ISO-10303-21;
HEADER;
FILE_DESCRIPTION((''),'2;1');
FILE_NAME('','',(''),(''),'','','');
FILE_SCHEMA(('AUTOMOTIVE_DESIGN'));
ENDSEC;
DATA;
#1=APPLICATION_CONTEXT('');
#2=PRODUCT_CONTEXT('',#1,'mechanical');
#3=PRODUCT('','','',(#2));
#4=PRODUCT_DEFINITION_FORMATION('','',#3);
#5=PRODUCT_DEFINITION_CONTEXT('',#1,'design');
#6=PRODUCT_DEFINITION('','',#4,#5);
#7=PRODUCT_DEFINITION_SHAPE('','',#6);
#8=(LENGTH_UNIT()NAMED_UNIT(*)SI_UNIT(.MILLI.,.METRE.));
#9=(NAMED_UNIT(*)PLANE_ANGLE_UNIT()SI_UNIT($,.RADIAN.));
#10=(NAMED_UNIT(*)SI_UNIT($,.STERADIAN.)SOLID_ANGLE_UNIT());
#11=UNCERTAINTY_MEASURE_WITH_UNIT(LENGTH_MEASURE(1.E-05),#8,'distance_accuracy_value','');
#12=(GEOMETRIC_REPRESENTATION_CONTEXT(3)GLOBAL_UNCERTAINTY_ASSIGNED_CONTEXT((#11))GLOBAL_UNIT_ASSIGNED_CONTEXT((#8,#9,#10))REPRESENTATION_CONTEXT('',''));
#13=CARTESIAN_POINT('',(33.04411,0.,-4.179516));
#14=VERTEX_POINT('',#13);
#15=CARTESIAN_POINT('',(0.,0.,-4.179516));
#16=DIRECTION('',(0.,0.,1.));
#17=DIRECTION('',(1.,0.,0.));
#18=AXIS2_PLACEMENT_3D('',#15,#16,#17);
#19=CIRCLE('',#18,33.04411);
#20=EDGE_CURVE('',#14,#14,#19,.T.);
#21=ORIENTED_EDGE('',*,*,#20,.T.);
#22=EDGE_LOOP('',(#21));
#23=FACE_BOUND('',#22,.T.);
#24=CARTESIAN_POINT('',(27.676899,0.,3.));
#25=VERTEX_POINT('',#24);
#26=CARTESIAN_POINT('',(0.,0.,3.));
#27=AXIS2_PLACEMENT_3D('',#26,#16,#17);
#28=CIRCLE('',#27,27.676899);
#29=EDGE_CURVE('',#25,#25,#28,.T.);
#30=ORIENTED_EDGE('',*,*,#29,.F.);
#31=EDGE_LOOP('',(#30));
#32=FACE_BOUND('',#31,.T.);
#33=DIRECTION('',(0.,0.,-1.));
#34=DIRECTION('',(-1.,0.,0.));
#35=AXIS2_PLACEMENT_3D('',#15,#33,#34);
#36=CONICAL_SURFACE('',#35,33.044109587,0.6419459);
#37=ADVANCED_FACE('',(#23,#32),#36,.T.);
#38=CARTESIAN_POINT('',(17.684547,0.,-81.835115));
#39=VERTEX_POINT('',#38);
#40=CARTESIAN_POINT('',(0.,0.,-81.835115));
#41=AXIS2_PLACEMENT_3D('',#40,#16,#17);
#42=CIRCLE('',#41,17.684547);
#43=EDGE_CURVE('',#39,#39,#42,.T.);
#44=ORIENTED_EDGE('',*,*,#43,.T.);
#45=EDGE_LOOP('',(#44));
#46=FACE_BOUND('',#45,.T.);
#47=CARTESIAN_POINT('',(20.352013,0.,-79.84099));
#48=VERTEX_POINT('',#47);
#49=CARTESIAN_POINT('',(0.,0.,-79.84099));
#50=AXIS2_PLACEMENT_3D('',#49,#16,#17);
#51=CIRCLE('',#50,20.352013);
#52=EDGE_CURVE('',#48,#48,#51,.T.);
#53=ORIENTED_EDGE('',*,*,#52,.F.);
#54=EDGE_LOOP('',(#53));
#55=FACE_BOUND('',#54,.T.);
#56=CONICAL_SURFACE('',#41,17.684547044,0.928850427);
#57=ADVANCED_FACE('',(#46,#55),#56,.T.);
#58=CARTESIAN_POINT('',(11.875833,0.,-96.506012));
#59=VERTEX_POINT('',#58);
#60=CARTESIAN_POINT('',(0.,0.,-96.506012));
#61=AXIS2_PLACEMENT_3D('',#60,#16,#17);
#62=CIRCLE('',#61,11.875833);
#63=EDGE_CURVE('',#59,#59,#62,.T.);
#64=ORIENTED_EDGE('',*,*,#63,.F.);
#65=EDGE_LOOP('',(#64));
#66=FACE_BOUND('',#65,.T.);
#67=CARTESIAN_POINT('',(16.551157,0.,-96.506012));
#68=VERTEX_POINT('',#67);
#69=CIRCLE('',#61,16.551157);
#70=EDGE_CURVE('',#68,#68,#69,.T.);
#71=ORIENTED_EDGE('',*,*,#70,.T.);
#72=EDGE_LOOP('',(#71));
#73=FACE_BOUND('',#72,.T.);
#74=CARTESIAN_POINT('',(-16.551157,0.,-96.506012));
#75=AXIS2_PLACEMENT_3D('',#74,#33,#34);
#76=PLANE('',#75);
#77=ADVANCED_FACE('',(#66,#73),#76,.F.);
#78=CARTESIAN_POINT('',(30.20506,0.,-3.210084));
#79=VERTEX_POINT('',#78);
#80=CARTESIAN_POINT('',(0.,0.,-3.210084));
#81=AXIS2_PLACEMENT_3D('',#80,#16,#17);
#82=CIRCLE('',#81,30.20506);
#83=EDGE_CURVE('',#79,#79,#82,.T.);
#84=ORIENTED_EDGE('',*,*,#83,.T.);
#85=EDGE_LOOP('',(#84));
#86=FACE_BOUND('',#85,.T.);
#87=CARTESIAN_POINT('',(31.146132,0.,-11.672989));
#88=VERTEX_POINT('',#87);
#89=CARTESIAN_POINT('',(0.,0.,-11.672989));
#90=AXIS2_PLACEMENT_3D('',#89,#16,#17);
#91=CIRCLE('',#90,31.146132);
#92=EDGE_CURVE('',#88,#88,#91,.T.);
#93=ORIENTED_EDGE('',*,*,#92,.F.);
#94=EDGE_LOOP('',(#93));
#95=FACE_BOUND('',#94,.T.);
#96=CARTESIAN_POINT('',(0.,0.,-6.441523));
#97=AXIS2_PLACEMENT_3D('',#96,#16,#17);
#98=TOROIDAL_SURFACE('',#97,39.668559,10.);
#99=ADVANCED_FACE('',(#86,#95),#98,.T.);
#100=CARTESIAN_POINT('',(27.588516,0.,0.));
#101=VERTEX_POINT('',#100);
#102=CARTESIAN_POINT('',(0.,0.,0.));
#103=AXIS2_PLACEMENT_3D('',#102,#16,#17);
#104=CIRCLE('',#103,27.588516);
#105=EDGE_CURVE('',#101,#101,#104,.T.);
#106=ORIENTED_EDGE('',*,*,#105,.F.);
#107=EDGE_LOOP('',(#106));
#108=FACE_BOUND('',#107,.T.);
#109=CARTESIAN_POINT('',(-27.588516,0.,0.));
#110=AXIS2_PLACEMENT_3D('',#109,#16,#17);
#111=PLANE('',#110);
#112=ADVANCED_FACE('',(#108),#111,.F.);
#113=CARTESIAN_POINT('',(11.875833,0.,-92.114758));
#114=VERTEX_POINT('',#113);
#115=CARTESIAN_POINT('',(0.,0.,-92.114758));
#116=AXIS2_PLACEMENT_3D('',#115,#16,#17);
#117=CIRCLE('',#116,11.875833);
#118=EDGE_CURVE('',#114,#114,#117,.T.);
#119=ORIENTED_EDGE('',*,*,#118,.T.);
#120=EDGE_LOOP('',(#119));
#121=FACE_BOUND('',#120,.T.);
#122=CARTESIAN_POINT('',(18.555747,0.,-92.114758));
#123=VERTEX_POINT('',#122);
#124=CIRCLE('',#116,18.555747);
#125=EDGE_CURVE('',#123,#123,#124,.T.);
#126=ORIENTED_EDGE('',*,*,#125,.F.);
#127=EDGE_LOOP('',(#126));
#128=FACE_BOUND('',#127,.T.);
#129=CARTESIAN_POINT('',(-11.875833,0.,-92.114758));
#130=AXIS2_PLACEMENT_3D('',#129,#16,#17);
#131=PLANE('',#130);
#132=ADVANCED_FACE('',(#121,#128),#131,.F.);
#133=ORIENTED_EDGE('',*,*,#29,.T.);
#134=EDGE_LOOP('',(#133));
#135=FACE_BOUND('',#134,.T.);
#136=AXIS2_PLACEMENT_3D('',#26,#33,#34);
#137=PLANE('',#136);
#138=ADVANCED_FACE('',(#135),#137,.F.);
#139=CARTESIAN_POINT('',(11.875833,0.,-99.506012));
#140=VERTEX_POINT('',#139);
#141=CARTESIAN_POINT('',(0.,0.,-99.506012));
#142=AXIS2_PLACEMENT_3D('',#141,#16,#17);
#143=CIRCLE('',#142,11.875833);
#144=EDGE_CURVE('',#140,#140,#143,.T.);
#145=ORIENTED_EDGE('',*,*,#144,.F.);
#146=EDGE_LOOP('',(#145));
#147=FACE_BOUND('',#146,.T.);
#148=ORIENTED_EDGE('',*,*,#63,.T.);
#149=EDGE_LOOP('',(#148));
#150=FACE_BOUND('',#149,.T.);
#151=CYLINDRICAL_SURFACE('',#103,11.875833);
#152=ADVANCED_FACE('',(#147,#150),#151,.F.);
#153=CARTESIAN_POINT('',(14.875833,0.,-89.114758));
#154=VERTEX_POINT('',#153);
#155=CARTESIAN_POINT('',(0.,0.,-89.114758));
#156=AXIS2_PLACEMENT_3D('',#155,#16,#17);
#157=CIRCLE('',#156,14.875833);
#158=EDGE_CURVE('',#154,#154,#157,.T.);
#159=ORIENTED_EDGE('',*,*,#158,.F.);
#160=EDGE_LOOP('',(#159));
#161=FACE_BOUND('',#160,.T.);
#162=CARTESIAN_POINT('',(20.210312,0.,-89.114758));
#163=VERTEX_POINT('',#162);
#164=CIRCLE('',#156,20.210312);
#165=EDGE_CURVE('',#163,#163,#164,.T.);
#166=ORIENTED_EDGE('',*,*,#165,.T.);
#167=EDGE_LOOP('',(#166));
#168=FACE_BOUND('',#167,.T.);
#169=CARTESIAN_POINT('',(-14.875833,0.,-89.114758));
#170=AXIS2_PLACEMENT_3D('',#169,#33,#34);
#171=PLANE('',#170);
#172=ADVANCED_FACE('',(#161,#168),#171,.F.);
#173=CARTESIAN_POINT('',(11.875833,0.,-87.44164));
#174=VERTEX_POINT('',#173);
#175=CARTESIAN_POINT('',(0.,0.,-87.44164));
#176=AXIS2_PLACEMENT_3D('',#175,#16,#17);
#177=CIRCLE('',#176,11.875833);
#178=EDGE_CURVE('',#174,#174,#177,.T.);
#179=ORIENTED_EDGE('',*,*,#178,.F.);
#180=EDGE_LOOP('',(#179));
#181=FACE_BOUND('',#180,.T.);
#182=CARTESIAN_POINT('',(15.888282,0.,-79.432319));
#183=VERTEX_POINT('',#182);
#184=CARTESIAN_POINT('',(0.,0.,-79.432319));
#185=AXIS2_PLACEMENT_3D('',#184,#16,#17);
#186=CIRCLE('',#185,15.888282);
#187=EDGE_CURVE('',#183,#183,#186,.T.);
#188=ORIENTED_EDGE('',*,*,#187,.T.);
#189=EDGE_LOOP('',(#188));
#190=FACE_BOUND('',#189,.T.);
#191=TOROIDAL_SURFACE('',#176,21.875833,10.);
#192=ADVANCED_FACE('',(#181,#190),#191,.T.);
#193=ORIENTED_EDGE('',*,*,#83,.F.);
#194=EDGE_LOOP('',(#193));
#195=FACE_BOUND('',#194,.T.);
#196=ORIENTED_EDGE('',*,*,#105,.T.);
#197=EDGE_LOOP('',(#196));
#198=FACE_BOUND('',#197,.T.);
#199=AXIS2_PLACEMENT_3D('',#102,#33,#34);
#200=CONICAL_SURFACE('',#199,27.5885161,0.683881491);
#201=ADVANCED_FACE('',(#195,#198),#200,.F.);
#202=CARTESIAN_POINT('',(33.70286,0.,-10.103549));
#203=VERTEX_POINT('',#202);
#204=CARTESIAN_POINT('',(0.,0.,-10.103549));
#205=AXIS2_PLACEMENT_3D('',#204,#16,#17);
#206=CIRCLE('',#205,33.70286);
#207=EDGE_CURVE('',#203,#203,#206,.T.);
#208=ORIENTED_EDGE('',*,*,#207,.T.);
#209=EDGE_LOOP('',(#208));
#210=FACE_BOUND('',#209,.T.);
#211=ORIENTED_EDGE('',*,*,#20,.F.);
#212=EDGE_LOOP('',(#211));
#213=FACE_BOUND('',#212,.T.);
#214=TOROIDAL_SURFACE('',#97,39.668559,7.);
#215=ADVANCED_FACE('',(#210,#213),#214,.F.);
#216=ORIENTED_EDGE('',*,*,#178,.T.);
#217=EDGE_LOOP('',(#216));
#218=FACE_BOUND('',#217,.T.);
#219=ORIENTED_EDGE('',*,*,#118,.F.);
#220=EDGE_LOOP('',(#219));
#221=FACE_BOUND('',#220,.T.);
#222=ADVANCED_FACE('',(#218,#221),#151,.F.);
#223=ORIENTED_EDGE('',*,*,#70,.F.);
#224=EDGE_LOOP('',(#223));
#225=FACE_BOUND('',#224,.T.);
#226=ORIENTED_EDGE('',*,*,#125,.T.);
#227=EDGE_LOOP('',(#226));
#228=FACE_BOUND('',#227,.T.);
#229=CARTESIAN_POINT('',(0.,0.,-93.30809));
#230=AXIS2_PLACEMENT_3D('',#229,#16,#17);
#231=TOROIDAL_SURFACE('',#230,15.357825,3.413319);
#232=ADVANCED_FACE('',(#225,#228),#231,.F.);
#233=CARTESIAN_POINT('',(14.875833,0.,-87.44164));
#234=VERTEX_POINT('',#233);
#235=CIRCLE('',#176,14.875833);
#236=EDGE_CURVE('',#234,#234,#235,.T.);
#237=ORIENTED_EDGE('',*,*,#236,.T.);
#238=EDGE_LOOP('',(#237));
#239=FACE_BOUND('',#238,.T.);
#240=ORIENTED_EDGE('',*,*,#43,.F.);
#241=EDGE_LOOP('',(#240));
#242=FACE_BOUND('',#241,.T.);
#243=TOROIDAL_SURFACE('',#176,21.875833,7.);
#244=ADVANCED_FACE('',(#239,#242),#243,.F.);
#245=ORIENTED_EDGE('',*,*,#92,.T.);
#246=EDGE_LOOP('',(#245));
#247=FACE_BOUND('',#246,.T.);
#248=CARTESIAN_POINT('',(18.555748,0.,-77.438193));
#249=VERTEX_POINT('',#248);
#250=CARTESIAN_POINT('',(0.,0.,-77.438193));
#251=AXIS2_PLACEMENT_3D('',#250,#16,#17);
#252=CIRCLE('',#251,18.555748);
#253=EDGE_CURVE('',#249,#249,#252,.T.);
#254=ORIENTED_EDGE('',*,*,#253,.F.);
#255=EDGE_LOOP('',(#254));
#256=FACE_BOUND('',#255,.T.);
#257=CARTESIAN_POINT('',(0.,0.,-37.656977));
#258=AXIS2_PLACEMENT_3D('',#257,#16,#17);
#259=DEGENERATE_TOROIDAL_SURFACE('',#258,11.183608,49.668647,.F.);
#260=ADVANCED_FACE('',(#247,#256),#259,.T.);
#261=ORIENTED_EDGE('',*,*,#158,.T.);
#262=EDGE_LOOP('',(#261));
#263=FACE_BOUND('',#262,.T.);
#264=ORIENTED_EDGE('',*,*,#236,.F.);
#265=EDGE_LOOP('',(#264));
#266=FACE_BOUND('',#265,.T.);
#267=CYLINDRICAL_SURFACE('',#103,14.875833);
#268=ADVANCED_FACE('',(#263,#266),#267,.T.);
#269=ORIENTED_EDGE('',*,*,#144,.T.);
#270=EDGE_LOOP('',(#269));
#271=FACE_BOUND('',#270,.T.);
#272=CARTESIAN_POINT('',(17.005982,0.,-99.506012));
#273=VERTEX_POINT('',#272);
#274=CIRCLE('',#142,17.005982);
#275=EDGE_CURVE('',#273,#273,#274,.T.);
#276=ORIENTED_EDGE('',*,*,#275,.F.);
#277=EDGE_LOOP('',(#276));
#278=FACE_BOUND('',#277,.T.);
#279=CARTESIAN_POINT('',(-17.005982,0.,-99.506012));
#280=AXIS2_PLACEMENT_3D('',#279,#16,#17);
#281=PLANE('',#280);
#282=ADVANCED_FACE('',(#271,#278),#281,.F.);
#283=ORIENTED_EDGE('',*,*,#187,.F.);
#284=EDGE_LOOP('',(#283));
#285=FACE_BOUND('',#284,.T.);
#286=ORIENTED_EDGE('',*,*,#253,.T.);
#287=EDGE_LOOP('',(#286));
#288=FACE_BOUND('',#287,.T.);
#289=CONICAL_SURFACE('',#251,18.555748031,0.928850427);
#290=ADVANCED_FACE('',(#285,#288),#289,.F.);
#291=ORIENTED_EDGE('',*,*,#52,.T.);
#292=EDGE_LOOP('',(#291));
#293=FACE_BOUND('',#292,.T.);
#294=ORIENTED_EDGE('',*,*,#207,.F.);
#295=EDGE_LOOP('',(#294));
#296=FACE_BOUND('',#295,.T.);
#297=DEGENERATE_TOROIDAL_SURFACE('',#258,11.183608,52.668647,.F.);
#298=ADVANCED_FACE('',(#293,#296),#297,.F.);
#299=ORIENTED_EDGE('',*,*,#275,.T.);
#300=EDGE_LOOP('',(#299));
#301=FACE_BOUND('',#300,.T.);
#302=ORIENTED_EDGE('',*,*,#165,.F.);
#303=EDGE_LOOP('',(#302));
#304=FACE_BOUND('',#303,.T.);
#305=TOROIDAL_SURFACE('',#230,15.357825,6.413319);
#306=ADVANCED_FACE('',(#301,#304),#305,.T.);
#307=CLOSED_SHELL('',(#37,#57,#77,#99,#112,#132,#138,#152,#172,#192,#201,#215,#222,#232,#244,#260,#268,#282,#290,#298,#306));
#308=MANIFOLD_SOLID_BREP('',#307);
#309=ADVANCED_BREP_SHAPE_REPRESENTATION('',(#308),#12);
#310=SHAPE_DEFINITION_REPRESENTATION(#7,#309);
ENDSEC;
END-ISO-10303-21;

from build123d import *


with BuildPart() as part:
    # Sketch1 → Revolve2 (revolve)
    with BuildSketch(Plane(origin=(0, 0, 0), x_dir=(1, 0, 0), z_dir=(0, 1, 0)), mode=Mode.PRIVATE) as revolve2_sk:
        with BuildLine():
            Line((-30.205060019, 3.210084149), (-27.5885161, 0))
            Line((-27.5885161, 0), (0, 0))
            Line((0, 0), (0, -3))
            Line((0, -3), (-27.676898815, -3))
            Line((-27.676898815, -3), (-33.044109587, 4.179515708))
            ThreePointArc((-33.044109587, 4.179515708), (-32.711440054, 7.215151675), (-33.70285993, 10.103549392))
            ThreePointArc((-33.70285993, 10.103549392), (-40.545605971, 47.560248156), (-20.352013355, 79.840989674))
            Line((-20.352013355, 79.840989674), (-17.684547044, 81.835114975))
            ThreePointArc((-17.684547044, 81.835114975), (-15.617278642, 84.306277282), (-14.875832799, 87.441640077))
            Line((-14.875832799, 87.441640077), (-14.875832799, 89.114758245))
            Line((-14.875832799, 89.114758245), (-20.210312304, 89.114758245))
            ThreePointArc((-20.210312304, 89.114758245), (-21.486375943, 95.197938785), (-17.005982364, 99.506012285))
            Line((-17.005982364, 99.506012285), (-11.875832799, 99.506012285))
            Line((-11.875832799, 99.506012285), (-11.875832799, 96.506012285))
            Line((-11.875832799, 96.506012285), (-16.551156996, 96.506012285))
            ThreePointArc((-16.551156996, 96.506012285), (-18.462910727, 94.725549547), (-18.555747478, 92.114758245))
            Line((-18.555747478, 92.114758245), (-11.875832799, 92.114758245))
            Line((-11.875832799, 92.114758245), (-11.875832799, 87.441640077))
            ThreePointArc((-11.875832799, 87.441640077), (-12.935041145, 82.96255037), (-15.88828172, 79.432318503))
            Line((-15.88828172, 79.432318503), (-18.555748031, 77.438193202))
            ThreePointArc((-18.555748031, 77.438193202), (-37.599115959, 46.996158968), (-31.146131938, 11.67298941))
            ThreePointArc((-31.146131938, 11.67298941), (-29.729817829, 7.546706958), (-30.205060019, 3.210084149))
        make_face()
    revolve(revolve2_sk.sketch.rotate(Axis((0, 0, 0), (0, 0, -1)), 180), axis=Axis((0, 0, 0), (0, 0, -1)))


solid = part.part
